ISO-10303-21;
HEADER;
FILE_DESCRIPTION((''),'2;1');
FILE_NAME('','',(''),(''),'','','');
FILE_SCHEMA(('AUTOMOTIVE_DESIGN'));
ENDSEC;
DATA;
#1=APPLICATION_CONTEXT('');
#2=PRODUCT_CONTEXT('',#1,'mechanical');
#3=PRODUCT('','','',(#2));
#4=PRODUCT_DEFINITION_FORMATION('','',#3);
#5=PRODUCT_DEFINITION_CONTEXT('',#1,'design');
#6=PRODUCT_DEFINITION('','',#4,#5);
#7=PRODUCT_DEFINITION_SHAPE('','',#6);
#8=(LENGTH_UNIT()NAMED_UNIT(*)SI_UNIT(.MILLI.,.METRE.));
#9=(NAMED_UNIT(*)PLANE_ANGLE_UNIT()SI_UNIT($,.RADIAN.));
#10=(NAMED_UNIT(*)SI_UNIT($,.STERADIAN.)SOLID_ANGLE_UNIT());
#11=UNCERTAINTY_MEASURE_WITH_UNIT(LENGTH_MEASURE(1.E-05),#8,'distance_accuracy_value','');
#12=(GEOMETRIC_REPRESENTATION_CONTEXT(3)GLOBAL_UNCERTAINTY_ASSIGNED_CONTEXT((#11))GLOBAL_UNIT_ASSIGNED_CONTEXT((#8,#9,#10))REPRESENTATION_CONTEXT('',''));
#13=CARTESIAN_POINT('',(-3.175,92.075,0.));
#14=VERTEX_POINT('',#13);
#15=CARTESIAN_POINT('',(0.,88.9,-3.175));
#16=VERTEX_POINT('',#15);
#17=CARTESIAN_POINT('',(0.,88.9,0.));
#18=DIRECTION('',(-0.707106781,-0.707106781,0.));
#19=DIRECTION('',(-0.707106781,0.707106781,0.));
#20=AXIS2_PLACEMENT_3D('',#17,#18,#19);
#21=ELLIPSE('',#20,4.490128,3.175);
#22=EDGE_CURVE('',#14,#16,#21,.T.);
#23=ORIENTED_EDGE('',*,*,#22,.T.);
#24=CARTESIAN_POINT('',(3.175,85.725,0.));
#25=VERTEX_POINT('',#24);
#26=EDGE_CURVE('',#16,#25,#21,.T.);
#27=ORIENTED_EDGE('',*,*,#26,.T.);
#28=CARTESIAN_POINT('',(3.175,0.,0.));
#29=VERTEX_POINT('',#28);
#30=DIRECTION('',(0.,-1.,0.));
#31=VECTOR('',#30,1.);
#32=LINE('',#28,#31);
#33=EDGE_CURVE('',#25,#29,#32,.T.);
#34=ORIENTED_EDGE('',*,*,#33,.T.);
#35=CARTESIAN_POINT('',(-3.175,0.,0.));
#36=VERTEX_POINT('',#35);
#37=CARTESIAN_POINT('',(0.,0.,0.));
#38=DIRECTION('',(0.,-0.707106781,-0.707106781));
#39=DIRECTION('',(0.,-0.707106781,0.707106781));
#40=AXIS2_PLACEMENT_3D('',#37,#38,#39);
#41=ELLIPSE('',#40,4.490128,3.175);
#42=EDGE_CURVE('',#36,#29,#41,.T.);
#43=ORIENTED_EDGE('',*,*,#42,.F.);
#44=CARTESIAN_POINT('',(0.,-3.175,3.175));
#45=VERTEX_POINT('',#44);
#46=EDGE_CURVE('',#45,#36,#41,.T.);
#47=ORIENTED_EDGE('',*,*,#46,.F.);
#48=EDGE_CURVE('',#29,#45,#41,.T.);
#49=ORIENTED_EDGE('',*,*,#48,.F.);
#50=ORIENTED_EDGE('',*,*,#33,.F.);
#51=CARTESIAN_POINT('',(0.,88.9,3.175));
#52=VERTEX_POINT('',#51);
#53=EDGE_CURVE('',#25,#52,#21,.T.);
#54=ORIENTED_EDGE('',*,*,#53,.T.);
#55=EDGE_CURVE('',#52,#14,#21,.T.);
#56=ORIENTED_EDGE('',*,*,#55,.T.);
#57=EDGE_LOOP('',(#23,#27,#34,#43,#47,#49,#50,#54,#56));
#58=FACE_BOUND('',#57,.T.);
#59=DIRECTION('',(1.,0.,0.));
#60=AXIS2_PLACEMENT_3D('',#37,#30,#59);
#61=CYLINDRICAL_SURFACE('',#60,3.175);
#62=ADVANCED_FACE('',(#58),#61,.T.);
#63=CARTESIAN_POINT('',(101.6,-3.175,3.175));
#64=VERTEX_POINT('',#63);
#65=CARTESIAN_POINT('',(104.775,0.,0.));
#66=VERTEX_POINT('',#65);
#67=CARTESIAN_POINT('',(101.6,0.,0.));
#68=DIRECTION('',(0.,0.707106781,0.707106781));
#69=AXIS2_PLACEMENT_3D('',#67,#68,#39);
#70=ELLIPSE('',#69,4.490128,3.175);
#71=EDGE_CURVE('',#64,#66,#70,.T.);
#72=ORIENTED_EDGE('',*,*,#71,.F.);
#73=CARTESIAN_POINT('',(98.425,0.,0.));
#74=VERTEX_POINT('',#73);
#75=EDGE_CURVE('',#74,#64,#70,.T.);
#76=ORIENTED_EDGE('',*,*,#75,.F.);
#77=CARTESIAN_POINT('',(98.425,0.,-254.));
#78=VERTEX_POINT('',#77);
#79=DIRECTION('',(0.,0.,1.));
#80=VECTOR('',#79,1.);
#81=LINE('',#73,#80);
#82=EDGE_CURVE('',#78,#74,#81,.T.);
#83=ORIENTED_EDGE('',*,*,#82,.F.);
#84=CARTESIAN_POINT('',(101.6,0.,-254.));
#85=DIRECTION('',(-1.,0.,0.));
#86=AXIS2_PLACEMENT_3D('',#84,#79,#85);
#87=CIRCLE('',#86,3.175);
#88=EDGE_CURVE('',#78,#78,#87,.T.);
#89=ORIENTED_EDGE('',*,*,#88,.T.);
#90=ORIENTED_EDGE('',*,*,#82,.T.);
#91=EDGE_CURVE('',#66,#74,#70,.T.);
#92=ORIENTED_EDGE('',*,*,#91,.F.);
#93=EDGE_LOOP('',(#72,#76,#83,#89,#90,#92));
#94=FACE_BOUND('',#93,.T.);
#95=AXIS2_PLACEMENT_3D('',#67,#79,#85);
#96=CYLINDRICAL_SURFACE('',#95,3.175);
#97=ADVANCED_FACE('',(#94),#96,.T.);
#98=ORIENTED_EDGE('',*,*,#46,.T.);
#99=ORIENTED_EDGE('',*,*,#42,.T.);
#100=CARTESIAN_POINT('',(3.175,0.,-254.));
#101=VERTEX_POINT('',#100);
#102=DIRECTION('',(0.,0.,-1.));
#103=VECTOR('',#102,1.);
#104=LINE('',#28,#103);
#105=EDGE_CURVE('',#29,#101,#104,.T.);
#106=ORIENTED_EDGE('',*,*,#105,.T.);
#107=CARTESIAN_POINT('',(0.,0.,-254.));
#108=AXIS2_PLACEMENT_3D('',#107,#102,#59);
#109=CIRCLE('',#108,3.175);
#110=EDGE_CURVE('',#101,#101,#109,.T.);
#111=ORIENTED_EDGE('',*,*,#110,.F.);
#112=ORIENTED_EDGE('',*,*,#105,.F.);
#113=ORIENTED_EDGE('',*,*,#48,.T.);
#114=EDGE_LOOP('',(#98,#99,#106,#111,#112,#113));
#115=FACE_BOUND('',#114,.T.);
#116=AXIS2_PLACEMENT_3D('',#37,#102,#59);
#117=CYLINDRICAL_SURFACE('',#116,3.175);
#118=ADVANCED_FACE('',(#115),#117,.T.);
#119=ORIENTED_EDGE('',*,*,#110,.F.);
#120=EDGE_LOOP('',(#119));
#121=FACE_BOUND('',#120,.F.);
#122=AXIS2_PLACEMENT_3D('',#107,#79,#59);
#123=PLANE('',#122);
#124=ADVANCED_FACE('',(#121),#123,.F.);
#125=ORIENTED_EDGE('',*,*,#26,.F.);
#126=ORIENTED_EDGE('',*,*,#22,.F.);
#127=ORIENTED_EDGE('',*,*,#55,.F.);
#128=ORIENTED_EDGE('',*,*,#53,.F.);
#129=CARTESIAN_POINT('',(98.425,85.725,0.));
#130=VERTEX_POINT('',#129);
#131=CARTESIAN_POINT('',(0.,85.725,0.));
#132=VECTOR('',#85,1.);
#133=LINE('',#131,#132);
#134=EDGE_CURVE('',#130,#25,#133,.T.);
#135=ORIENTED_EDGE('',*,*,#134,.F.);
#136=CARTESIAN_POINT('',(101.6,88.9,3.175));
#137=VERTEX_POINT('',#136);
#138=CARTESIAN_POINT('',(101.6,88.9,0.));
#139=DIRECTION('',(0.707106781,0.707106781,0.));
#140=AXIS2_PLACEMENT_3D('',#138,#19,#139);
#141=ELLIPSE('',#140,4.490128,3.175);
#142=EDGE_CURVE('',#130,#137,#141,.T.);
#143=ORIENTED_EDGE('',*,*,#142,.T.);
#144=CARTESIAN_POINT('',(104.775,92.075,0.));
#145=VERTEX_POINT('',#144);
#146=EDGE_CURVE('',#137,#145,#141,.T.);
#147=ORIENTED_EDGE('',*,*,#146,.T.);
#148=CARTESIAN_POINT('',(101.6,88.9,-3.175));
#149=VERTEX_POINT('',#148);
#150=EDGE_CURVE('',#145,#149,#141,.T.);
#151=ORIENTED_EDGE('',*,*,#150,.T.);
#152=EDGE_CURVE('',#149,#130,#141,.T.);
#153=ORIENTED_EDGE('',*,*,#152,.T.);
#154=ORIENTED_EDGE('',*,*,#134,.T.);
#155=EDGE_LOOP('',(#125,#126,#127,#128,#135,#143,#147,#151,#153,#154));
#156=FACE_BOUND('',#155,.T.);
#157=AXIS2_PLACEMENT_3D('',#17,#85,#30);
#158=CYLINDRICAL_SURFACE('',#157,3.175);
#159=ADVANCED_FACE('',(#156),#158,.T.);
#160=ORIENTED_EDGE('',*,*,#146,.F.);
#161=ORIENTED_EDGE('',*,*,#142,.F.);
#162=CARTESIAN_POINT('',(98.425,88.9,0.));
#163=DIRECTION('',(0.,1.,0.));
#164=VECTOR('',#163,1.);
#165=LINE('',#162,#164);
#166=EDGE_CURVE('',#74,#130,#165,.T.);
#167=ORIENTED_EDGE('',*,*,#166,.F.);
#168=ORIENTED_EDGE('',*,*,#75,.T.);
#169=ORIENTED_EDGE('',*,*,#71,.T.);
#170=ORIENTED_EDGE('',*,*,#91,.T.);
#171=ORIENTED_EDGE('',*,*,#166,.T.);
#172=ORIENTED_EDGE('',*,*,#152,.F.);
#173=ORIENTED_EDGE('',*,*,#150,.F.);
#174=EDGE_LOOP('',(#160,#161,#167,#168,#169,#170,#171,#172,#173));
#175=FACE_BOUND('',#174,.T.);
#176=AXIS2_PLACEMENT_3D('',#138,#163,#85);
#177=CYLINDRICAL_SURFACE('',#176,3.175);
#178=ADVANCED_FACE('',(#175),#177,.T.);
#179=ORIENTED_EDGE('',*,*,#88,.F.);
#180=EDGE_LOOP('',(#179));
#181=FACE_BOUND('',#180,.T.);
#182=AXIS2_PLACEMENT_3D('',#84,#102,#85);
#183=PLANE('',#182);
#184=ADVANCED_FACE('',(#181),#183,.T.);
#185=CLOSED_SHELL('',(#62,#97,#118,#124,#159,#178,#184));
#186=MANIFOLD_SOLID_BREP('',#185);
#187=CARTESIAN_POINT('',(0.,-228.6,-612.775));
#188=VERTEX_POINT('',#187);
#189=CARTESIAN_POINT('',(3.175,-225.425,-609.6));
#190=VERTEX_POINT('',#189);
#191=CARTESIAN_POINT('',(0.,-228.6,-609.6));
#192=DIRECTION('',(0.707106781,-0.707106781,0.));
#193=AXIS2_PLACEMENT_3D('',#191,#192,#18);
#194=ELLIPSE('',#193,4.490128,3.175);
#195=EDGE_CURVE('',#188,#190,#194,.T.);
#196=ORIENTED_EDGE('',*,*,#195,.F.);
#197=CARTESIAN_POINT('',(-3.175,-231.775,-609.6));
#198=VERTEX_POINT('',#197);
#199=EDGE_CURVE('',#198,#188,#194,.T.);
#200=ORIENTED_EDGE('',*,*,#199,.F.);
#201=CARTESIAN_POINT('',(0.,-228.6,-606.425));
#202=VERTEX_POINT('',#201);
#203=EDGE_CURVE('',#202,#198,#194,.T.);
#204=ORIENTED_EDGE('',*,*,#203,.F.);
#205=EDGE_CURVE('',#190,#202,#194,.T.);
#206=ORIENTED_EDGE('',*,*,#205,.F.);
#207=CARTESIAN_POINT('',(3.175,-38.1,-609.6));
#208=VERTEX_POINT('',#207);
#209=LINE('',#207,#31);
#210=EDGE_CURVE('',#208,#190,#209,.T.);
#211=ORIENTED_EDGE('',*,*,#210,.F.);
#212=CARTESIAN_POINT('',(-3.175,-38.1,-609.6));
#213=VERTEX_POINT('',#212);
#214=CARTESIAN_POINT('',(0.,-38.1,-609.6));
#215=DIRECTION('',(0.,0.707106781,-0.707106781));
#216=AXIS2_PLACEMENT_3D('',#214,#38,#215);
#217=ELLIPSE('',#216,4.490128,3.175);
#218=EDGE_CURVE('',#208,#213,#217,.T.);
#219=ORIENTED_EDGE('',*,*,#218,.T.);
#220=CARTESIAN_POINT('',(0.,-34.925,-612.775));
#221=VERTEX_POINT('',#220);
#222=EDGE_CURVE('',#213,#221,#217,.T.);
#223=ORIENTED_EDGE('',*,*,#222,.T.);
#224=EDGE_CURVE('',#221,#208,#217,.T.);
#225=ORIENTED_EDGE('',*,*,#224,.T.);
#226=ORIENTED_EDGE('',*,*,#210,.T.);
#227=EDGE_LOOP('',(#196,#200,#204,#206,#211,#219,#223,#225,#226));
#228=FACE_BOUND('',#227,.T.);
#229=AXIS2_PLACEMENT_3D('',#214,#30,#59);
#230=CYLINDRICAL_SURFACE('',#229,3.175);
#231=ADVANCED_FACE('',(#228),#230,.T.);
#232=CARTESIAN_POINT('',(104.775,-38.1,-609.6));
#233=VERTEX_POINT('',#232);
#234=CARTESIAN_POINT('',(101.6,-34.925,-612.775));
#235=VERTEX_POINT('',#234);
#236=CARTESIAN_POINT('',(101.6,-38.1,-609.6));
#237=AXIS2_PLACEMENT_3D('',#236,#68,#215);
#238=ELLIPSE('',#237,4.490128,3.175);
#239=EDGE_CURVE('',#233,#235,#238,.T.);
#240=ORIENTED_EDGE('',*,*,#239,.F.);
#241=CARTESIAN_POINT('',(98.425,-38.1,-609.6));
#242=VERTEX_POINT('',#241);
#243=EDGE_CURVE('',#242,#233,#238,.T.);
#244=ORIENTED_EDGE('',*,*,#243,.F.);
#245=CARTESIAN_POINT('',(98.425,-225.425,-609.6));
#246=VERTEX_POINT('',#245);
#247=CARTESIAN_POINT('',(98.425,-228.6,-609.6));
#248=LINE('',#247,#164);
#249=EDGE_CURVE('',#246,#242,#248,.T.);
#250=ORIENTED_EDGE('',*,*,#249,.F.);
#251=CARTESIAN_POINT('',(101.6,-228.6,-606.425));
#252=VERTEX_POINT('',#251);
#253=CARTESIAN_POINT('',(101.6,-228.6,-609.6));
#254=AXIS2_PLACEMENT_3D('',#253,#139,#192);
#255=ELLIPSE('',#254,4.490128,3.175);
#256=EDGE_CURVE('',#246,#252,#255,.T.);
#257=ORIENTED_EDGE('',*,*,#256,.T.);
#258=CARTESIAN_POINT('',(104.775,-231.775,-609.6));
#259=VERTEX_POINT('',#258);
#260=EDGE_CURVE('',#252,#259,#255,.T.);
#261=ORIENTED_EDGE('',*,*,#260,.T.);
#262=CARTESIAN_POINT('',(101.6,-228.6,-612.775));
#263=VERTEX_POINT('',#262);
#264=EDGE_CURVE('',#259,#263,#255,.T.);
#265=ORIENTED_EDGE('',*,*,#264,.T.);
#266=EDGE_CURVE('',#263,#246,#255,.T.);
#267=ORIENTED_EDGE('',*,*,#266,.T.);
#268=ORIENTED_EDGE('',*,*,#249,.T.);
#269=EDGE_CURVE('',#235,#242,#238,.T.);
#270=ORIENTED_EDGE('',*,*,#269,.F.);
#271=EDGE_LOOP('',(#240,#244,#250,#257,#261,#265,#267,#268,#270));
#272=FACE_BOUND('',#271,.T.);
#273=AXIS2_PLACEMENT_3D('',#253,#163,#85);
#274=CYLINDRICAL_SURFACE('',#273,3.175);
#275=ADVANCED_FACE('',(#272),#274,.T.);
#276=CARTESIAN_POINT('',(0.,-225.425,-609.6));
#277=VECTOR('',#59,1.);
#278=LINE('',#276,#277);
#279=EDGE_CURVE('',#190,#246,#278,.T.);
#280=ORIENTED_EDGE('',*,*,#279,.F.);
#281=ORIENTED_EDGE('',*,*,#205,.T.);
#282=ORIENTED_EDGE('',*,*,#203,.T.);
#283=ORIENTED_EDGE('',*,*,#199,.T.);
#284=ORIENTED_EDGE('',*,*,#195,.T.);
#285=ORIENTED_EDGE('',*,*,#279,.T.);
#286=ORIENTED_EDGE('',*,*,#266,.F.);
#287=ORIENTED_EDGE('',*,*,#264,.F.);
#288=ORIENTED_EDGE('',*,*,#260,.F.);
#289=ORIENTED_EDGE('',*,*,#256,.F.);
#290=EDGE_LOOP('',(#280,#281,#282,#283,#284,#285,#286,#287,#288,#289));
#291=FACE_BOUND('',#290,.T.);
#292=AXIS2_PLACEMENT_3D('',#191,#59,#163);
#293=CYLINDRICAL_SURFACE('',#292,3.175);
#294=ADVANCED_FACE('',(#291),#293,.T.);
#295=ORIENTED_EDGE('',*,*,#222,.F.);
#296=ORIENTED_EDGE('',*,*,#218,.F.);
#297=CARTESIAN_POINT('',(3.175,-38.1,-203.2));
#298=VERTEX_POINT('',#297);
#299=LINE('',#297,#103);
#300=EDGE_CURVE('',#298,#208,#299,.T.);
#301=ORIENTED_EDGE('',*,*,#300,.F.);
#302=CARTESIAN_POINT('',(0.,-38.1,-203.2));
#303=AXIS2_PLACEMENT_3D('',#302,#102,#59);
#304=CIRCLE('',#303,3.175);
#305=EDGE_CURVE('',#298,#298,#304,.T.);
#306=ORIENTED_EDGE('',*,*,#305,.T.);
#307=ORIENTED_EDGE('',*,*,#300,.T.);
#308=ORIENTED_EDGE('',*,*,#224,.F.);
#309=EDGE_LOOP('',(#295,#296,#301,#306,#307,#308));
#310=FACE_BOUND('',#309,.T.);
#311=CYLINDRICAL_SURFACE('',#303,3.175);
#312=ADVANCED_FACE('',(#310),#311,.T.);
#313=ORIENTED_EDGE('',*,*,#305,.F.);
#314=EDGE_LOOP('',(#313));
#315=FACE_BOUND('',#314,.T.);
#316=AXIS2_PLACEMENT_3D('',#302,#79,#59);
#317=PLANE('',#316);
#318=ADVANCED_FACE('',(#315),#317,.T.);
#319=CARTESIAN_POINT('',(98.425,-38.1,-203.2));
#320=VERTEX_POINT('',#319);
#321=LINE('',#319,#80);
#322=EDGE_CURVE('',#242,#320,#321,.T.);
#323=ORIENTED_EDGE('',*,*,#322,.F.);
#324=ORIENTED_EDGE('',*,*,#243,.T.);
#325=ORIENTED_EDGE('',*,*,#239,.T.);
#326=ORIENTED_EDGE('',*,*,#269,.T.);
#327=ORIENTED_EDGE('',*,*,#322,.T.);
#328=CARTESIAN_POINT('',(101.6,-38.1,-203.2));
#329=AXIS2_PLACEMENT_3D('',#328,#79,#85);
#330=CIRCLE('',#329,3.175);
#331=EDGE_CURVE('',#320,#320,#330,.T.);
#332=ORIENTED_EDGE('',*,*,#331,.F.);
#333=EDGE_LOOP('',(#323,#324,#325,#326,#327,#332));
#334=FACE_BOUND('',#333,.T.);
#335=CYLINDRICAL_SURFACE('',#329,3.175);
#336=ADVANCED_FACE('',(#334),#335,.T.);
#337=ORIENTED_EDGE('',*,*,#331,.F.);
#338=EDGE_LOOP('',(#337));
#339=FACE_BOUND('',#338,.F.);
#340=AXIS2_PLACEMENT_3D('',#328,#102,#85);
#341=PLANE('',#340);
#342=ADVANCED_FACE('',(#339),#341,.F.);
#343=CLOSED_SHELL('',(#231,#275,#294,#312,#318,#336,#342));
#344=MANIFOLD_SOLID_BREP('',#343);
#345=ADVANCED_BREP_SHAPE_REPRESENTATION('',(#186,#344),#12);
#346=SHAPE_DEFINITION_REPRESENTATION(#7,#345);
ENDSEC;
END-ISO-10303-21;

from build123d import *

# Parameters (mm, degrees)
F3_R  = 3.175
F12_R = 3.175


with BuildPart() as f4:
    # F4: sweep along a path in F1, F0, F1
    with BuildLine(Plane.XZ) as f4_path:
        Line((0, 0), (0, -254))
    with BuildLine(Plane.XY) as f4_path_2:
        Line((0, 0), (0, 88.9))
        Line((0, 88.9), (101.6, 88.9))
        Line((101.6, 88.9), (101.6, 0))
    with BuildLine(Plane.XZ) as f4_path_3:
        Line((101.6, 0), (101.6, -254))
    # F3 (on offset) → F4 (sweep)
    with BuildSketch(Plane.XY.offset(-254)):
        Circle(F3_R)
    sweep(path=f4_path.line + f4_path_2.line + f4_path_3.line, transition=Transition.RIGHT)


with BuildPart() as f13:
    # F13: sweep along a path in F8, F10, F8
    with BuildLine(Plane.XZ.offset(38.1)) as f13_path:
        Line((0, -203.2), (0, -609.6))
    with BuildLine(Plane.XY.offset(-609.6)) as f13_path_2:
        Line((0, -38.1), (0, -228.6))
        Line((0, -228.6), (101.6, -228.6))
        Line((101.6, -228.6), (101.6, -38.1))
    with BuildLine(Plane.XZ.offset(38.1)) as f13_path_3:
        Line((101.6, -203.2), (101.6, -609.6))
    # F12 (on offset) → F13 (sweep)
    with BuildSketch(Plane.XY.offset(-203.2)):
        with Locations((0, -38.1)):
            Circle(F12_R)
    sweep(path=f13_path.line + f13_path_2.line + f13_path_3.line, transition=Transition.RIGHT)


solid = Compound([f4.part, f13.part])
